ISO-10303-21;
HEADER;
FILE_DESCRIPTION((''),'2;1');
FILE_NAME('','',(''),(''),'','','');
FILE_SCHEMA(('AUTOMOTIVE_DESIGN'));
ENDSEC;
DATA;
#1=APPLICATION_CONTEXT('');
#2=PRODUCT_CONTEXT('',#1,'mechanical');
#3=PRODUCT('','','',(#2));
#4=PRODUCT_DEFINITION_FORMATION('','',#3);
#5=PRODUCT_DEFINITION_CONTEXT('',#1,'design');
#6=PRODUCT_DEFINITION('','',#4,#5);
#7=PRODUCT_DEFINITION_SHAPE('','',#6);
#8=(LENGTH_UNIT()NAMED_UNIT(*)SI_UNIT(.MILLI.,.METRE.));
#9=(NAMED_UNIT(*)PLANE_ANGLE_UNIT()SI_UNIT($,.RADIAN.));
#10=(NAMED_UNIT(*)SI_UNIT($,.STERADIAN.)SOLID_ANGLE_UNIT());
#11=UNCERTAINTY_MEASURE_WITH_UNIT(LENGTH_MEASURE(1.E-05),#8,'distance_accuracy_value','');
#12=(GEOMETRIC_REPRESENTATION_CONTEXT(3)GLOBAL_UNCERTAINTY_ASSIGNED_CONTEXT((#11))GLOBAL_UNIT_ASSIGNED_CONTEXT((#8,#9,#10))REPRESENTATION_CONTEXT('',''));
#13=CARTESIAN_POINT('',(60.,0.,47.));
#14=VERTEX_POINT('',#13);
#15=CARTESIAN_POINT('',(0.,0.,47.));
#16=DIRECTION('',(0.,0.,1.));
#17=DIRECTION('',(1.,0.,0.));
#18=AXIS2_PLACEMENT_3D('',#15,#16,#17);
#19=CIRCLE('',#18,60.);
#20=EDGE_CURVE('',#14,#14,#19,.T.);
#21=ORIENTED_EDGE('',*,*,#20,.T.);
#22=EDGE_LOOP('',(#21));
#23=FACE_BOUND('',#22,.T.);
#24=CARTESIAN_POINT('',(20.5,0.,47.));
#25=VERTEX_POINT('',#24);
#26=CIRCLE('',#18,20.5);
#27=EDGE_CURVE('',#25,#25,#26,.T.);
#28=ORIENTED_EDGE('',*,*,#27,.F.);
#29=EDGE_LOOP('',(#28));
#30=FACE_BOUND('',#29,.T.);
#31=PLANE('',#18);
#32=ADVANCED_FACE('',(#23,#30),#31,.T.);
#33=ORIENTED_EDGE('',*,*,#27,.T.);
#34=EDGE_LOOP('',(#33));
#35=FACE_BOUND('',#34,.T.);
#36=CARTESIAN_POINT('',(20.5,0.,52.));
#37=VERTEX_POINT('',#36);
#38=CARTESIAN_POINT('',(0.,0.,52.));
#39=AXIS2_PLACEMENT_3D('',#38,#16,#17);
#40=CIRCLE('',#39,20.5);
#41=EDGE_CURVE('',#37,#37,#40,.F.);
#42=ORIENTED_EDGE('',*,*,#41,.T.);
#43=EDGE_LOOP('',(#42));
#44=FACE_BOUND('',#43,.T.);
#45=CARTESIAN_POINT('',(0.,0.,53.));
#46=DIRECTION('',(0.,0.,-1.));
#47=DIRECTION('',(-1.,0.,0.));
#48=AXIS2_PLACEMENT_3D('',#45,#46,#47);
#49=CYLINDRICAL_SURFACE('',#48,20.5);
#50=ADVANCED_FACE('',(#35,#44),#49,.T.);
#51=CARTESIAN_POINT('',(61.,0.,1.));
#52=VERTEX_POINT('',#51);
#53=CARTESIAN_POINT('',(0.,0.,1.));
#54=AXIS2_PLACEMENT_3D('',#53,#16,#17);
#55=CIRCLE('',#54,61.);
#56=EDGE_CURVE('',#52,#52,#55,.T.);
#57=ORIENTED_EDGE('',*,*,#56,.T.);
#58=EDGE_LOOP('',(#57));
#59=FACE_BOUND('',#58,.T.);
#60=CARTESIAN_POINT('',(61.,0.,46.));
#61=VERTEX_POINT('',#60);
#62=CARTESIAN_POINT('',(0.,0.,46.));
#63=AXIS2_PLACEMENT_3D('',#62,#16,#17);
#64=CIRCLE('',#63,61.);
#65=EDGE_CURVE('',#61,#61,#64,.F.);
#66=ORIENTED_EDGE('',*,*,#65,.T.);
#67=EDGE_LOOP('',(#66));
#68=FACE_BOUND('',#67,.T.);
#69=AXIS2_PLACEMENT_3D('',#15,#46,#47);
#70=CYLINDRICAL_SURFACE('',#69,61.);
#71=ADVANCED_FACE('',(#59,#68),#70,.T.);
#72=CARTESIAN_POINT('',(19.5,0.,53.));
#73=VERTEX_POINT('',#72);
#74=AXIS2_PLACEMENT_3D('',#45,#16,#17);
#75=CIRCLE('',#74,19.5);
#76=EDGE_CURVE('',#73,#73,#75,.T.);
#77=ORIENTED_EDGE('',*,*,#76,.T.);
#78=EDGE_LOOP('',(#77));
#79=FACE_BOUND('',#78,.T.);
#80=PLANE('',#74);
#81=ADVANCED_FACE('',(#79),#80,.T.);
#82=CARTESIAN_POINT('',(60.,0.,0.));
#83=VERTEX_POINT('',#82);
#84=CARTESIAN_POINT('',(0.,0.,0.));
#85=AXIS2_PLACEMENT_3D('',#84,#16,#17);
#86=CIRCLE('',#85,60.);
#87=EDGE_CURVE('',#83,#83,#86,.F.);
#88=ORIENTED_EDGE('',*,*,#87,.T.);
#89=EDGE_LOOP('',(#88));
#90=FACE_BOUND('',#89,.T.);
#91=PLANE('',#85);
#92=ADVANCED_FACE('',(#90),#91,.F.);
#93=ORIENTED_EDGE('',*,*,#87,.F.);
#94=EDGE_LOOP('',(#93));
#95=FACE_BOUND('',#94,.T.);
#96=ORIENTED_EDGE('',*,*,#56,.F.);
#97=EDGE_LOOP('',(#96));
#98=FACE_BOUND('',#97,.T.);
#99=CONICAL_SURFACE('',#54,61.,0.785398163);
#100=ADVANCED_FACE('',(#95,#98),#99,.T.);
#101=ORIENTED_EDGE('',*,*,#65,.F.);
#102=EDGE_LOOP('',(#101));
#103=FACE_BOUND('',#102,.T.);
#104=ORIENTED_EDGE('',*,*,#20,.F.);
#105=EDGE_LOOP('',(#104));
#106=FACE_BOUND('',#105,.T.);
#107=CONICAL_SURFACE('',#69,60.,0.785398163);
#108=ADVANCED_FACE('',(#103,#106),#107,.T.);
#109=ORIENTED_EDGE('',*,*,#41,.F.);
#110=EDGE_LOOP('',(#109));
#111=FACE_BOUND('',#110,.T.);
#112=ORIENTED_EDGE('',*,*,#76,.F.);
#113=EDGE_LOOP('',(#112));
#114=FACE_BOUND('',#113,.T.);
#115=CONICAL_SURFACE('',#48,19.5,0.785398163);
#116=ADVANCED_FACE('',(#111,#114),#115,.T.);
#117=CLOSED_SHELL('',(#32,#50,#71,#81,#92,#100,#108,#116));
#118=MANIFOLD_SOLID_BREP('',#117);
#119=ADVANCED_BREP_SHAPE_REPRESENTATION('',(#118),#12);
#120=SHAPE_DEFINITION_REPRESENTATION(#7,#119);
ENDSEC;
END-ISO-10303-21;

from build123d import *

# Parameters (mm, degrees)
SKETCH_1_R      = 61
EXTRUDE_1_DEPTH = 47
SKETCH_2_R      = 20.5
EXTRUDE_2_DEPTH = 6
CHAMFER_1_SIZE  = 1


with BuildPart() as part:
    # 草图1 → 凸台-拉伸1 (new body)
    with BuildSketch(Plane.XY):
        Circle(SKETCH_1_R)
    extrude(amount=EXTRUDE_1_DEPTH)

    # 草图2 → 凸台-拉伸2 (add)
    with BuildSketch(Plane.XY.offset(47)):
        Circle(SKETCH_2_R)
    extrude(amount=EXTRUDE_2_DEPTH)

    # 倒角1
    chamfer_1_edges = [part.edges().sort_by_distance(p)[0] for p in [
        (-61, 0, 0),
        (-61, 0, 47),
        (-20.5, 0, 53),
    ]]
    chamfer(chamfer_1_edges, length=CHAMFER_1_SIZE)


solid = part.part
